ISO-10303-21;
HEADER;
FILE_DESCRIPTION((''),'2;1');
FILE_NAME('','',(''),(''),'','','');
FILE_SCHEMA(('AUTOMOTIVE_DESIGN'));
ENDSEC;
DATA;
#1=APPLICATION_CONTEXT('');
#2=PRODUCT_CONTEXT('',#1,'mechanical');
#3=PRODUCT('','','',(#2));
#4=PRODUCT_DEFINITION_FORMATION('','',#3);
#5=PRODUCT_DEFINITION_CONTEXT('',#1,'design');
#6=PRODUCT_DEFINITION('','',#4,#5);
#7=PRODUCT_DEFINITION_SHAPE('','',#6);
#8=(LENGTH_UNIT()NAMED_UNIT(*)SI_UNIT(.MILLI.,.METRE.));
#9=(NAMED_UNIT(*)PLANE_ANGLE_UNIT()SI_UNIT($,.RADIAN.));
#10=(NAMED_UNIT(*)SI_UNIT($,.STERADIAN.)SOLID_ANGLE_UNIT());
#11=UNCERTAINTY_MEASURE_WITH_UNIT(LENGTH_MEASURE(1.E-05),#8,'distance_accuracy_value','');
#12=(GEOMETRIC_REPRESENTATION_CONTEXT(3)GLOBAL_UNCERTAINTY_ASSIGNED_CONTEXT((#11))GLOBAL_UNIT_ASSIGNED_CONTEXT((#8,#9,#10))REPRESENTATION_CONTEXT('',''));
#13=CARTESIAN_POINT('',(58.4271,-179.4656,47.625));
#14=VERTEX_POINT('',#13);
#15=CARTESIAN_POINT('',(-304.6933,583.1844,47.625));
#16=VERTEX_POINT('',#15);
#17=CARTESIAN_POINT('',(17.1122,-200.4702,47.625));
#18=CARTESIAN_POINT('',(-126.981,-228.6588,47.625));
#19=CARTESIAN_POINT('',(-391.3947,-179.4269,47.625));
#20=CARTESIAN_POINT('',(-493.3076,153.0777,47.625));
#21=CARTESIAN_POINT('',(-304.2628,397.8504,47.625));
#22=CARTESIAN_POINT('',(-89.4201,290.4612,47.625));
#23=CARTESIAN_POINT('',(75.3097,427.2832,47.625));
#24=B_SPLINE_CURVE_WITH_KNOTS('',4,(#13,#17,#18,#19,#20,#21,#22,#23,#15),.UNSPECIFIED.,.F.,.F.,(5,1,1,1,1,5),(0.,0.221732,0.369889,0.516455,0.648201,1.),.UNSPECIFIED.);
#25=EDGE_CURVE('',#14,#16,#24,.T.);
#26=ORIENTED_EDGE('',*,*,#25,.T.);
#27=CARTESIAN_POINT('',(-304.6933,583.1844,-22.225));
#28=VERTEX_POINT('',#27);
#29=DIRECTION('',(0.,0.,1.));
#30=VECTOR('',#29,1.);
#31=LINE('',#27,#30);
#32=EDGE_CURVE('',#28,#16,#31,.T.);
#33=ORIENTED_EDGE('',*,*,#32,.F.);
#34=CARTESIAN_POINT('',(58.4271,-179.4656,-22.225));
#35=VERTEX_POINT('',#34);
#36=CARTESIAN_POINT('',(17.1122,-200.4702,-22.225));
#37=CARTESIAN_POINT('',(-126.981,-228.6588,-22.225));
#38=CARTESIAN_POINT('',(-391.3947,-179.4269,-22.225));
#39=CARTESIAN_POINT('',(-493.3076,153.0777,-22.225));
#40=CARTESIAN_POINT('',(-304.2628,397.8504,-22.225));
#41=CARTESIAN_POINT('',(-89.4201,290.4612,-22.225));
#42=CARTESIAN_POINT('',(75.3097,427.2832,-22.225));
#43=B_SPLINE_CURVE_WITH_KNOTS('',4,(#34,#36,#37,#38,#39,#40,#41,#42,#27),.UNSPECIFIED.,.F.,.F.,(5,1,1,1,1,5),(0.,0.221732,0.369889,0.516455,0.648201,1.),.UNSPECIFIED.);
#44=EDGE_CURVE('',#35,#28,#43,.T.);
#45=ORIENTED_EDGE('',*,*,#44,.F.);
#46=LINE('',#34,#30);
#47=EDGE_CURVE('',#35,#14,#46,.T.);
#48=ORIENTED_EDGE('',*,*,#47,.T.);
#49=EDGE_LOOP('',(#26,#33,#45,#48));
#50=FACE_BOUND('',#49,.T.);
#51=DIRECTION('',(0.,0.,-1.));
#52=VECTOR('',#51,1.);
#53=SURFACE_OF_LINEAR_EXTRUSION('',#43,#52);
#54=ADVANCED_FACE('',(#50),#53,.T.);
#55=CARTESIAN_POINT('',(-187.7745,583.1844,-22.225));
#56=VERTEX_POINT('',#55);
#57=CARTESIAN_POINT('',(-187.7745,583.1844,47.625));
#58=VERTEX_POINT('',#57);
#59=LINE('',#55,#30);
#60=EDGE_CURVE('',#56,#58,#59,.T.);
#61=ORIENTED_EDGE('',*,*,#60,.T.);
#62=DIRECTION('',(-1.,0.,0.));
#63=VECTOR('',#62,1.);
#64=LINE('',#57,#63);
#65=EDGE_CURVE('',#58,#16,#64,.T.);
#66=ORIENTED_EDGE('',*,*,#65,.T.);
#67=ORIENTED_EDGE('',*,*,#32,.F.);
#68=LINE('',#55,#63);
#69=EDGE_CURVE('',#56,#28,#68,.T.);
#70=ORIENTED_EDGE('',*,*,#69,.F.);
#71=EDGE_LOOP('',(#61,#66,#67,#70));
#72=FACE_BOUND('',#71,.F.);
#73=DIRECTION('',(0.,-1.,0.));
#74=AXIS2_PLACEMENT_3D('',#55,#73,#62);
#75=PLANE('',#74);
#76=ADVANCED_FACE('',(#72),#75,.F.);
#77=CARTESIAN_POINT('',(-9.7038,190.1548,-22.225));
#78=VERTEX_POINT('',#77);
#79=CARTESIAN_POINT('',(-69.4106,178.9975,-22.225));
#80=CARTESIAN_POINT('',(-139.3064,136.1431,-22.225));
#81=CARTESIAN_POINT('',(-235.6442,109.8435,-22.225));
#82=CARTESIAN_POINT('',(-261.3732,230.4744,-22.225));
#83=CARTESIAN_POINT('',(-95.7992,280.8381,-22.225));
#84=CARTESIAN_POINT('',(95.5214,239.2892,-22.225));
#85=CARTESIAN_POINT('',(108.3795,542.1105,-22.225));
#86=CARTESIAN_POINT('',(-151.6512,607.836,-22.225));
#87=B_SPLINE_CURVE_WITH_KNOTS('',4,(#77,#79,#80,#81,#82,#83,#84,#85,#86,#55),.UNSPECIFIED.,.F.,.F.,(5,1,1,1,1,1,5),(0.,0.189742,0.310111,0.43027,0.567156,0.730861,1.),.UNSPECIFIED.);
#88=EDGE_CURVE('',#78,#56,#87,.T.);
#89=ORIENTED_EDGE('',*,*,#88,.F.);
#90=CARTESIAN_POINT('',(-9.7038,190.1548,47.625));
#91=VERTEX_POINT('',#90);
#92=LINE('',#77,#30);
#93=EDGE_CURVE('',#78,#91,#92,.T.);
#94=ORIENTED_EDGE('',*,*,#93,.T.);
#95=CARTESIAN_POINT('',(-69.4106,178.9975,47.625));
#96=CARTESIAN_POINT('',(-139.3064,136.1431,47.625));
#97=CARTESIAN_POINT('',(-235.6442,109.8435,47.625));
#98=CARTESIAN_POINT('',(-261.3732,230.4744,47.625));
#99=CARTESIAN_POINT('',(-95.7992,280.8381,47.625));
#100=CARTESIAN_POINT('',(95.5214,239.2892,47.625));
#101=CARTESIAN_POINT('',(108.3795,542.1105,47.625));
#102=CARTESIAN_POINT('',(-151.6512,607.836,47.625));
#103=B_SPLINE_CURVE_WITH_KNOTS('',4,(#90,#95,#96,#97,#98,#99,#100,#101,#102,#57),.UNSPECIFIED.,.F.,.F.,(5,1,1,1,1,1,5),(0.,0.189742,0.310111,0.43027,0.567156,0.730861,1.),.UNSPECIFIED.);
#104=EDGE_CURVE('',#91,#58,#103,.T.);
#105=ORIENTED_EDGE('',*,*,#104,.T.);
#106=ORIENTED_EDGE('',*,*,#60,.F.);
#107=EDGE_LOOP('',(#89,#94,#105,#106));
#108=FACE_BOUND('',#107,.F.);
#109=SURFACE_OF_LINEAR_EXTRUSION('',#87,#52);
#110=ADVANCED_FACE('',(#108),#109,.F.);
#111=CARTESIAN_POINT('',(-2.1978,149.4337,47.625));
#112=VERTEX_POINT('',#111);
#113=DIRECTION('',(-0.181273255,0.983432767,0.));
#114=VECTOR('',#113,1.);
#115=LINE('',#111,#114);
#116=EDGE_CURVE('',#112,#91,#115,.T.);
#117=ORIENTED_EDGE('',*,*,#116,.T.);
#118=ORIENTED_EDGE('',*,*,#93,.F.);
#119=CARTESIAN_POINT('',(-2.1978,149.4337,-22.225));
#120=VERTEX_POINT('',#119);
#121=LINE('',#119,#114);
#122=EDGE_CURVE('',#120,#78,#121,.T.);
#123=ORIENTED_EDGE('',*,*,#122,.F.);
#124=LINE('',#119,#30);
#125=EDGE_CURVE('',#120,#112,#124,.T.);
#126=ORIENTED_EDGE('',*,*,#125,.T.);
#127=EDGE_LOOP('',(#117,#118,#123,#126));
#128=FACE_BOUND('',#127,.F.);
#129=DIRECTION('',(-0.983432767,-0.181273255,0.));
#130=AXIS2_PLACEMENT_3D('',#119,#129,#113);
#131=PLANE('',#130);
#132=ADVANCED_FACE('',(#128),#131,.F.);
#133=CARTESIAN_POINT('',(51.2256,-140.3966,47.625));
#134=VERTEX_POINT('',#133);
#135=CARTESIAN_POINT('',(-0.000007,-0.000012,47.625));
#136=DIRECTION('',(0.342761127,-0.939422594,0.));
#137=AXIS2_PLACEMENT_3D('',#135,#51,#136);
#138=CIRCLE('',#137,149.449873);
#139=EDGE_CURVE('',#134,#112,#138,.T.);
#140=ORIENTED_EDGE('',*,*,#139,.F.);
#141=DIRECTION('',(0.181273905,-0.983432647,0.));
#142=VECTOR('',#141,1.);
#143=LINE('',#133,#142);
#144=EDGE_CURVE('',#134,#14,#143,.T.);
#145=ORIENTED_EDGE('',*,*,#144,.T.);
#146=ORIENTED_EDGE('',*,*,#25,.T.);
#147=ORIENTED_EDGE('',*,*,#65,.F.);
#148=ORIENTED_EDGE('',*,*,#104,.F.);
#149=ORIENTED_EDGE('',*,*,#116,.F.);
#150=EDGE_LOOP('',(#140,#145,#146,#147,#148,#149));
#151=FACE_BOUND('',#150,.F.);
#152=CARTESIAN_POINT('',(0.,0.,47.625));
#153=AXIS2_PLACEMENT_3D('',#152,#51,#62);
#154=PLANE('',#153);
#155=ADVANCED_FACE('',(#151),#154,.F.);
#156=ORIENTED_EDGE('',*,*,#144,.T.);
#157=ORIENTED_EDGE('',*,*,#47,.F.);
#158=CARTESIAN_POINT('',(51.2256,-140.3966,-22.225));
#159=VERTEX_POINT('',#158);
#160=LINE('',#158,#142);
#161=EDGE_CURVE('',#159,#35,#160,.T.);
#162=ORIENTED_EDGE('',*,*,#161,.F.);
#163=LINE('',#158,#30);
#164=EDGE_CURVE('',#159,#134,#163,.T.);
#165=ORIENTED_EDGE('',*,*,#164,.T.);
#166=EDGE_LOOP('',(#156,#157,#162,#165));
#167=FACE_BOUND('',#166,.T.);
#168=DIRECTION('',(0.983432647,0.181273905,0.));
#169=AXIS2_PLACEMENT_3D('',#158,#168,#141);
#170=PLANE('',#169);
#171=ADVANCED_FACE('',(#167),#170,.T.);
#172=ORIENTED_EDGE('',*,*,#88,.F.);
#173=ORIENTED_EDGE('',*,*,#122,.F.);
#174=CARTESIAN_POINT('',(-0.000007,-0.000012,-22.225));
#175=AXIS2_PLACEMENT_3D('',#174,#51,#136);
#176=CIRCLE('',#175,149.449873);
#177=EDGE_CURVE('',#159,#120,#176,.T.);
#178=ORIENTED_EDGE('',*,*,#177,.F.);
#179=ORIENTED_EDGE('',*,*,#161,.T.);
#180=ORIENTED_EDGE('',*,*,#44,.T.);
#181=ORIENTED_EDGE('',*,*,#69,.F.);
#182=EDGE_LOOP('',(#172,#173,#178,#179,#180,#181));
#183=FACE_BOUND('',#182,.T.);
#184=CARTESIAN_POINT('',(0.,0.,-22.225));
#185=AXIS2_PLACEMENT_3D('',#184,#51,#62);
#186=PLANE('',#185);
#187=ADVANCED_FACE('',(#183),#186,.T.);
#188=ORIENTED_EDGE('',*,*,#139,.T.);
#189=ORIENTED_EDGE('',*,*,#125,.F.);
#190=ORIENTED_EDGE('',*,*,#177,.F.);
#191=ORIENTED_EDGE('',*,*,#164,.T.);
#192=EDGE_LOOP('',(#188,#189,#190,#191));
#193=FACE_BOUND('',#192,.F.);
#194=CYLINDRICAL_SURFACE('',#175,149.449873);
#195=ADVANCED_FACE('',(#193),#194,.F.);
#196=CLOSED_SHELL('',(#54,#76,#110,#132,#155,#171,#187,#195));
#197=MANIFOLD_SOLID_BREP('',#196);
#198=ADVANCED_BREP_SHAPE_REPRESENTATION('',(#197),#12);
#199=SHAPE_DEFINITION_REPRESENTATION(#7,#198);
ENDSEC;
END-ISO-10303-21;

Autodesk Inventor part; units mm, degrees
ref_plane "YZ Plane" through (0, 0, 0) normal (1, 0, 0) x (0, 1, 0)
ref_plane "XZ Plane" through (0, 0, 0) normal (0, 1, 0) x (-1, 0, 0)
ref_plane "XY Plane" through (0, 0, 0) normal (0, 0, 1) x (1, 0, 0)
ref_plane "Work Plane1" through (0, 0, -22.225) normal (0, 0, -1) x (-1, 0, 0)
sketch "Sketch1" plane through (0, 0, -22.225) normal (0, 0, -1) x (-1, 0, 0)
  arc A0 (-51.2256, -140.3966) -> (2.1978, 149.4337) centre (0, 0) ccw
  line L0 (-66.8621, -225.227) -> (19.0401, 240.8055) construction
  line L1 (-51.2256, -140.3966) -> (-58.4271, -179.4656)
  line L2 (2.1978, 149.4337) -> (9.7038, 190.1548)
  spline S0 degree 4 poles (-58.4271, -179.4656) (-17.1122, -200.4702) (126.981, -228.6588) (391.3947, -179.4269) (493.3076, 153.0777) (304.2628, 397.8504) (89.4201, 290.4612) (-75.3097, 427.2832) (304.6933, 583.1844) knots 0 0 0 0 0 0.221732 0.369889 0.516455 0.648201 1 1 1 1 1
  spline S1 degree 4 poles (9.7038, 190.1548) (69.4106, 178.9975) (139.3064, 136.1431) (235.6442, 109.8435) (261.3732, 230.4744) (95.7992, 280.8381) (-95.5214, 239.2892) (-108.3795, 542.1105) (151.6512, 607.836) (187.7745, 583.1844) knots 0 0 0 0 0 0.189742 0.310111 0.43027 0.567156 0.730861 1 1 1 1 1
  line L3 (187.7745, 583.1844) -> (304.6933, 583.1844)
  line L4 (-151.1409, -132.3296) -> (34.2867, -226.6016) construction
  arc A1 (-109.4654, -129.419) -> (12.0821, -191.2141) centre (-4.5292, -73.4516) ccw construction
  line L5 (-97.3852, 210.1664) -> (116.7928, 170.1432) construction
  arc A2 (88.9949, 162.2457) -> (-74.3153, 192.7632) centre (-40.724, -79.702) ccw construction
  line L6 (158.3267, 603.2804) -> (217.2224, 563.0885) construction
  arc A3 (196.6783, 566.7781) -> (169.2514, 585.4949) centre (176.2652, 566.3191) ccw construction
  point P0 (106.1828, -206.2676)
  point P1 (367.6104, -96.7927)
  point P2 (440.7438, 164.6389)
  point P3 (334.8261, 301.9441)
  point P4 (187.7745, 334.9467)
  point P5 (226.3731, 149.4344)
  point P6 (236.7093, 200.4766)
  point P7 (130.7306, 260.0966)
  point P8 (-26.7686, 294.7693)
  point P9 (-39.4608, 472.6968)
  point P10 (164.267, 138.3717)
  point P11 (75.1095, 372.2537)
extrude "Extrusion1" add sketch "Sketch1" against normal blind 69.85
